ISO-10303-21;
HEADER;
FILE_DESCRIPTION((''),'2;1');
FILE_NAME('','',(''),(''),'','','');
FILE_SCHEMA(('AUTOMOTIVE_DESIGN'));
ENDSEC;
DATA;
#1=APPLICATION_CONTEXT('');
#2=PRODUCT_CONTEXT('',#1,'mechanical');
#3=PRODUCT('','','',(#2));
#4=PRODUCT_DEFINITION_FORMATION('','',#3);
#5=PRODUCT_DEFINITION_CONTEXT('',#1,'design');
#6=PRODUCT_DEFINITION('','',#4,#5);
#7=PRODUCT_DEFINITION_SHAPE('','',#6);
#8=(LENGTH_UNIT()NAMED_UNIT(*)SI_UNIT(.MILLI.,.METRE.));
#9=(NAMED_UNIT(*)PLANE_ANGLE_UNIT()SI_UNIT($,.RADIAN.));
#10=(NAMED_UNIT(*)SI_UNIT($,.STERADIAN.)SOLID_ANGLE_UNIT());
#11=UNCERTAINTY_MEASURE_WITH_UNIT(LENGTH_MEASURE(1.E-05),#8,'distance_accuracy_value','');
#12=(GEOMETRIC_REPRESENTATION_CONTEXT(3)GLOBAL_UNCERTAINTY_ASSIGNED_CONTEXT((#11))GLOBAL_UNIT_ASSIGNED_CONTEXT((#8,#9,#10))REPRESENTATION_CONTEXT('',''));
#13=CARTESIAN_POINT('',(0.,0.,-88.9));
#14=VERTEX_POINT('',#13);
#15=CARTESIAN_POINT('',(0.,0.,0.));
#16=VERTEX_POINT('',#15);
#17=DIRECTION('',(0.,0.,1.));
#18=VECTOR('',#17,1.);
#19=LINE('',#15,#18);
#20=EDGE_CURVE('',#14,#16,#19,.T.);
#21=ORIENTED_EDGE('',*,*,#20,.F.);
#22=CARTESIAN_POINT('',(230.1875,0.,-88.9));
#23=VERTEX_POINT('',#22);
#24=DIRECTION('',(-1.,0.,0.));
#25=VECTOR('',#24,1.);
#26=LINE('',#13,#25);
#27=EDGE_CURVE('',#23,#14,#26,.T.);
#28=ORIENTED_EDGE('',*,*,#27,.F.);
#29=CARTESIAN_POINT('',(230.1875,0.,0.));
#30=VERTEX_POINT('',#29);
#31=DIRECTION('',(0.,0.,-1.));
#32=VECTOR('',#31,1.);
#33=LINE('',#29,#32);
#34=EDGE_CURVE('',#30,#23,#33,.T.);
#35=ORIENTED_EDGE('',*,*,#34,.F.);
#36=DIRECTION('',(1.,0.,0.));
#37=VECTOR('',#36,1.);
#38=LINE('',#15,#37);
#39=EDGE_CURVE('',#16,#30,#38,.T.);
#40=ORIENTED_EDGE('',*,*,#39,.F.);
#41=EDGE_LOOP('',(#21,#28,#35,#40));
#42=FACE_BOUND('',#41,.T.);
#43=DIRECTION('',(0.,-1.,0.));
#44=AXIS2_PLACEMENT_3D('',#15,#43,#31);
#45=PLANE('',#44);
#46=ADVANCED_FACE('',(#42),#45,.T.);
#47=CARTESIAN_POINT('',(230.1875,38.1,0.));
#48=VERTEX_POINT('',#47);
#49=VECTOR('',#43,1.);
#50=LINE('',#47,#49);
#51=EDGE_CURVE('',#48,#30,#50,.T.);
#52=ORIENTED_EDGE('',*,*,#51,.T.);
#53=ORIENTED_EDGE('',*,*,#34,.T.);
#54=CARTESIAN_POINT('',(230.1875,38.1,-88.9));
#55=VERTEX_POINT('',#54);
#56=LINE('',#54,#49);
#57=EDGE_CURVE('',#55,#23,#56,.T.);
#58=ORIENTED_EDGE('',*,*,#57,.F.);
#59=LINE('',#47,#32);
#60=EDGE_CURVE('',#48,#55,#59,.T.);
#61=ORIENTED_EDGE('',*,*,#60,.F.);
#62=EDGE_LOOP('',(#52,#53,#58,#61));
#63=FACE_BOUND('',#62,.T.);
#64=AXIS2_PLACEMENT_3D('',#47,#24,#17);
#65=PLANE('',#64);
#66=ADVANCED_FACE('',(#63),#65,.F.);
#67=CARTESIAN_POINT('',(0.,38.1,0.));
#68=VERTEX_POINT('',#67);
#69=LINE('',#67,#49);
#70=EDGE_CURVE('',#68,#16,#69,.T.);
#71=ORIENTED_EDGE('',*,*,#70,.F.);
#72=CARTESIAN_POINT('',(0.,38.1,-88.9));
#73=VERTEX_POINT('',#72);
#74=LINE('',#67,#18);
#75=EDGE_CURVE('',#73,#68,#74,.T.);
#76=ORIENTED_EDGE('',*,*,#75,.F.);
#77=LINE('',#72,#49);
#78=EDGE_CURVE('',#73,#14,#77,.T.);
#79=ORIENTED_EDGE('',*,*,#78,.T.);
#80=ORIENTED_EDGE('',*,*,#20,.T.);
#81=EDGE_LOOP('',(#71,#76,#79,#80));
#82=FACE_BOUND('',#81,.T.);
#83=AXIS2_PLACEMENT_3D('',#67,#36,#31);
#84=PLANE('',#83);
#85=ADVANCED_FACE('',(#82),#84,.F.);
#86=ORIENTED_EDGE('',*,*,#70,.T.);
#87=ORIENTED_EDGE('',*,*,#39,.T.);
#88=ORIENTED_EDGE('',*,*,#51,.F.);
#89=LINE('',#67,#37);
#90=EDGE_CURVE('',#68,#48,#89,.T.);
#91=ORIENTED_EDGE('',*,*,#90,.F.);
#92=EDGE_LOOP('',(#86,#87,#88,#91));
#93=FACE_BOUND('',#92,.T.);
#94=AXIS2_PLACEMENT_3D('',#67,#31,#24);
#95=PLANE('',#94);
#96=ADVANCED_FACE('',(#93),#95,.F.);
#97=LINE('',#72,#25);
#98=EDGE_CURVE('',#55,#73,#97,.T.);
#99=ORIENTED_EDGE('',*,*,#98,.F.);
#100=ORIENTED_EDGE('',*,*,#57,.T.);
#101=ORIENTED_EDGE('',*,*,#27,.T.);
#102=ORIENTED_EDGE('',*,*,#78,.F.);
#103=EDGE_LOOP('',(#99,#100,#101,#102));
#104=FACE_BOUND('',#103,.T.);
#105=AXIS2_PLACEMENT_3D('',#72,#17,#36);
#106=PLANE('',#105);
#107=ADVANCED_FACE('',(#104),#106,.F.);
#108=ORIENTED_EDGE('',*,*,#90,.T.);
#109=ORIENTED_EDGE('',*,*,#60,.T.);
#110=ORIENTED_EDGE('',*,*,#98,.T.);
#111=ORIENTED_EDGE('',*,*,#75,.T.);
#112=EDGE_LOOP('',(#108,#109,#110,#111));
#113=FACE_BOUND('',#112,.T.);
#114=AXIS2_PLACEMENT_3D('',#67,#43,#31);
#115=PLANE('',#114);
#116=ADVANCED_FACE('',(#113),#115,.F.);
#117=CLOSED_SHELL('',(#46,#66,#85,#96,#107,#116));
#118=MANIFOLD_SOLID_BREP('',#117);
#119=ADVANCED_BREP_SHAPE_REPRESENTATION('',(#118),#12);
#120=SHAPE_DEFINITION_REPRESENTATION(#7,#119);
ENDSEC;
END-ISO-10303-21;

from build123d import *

# Parameters (mm, degrees)
SKETCH1_W           = 230.1875
SKETCH1_H           = 88.9
BOSS_EXTRUDE1_DEPTH = 38.1


with BuildPart() as part:
    # Sketch1 → Boss-Extrude1 (new body)
    with BuildSketch(Plane(origin=(0, 0, 0), x_dir=(1, 0, 0), z_dir=(0, 1, 0))):
        with Locations((115.09375, 44.45)):
            Rectangle(SKETCH1_W, SKETCH1_H)
    extrude(amount=BOSS_EXTRUDE1_DEPTH)


solid = part.part
